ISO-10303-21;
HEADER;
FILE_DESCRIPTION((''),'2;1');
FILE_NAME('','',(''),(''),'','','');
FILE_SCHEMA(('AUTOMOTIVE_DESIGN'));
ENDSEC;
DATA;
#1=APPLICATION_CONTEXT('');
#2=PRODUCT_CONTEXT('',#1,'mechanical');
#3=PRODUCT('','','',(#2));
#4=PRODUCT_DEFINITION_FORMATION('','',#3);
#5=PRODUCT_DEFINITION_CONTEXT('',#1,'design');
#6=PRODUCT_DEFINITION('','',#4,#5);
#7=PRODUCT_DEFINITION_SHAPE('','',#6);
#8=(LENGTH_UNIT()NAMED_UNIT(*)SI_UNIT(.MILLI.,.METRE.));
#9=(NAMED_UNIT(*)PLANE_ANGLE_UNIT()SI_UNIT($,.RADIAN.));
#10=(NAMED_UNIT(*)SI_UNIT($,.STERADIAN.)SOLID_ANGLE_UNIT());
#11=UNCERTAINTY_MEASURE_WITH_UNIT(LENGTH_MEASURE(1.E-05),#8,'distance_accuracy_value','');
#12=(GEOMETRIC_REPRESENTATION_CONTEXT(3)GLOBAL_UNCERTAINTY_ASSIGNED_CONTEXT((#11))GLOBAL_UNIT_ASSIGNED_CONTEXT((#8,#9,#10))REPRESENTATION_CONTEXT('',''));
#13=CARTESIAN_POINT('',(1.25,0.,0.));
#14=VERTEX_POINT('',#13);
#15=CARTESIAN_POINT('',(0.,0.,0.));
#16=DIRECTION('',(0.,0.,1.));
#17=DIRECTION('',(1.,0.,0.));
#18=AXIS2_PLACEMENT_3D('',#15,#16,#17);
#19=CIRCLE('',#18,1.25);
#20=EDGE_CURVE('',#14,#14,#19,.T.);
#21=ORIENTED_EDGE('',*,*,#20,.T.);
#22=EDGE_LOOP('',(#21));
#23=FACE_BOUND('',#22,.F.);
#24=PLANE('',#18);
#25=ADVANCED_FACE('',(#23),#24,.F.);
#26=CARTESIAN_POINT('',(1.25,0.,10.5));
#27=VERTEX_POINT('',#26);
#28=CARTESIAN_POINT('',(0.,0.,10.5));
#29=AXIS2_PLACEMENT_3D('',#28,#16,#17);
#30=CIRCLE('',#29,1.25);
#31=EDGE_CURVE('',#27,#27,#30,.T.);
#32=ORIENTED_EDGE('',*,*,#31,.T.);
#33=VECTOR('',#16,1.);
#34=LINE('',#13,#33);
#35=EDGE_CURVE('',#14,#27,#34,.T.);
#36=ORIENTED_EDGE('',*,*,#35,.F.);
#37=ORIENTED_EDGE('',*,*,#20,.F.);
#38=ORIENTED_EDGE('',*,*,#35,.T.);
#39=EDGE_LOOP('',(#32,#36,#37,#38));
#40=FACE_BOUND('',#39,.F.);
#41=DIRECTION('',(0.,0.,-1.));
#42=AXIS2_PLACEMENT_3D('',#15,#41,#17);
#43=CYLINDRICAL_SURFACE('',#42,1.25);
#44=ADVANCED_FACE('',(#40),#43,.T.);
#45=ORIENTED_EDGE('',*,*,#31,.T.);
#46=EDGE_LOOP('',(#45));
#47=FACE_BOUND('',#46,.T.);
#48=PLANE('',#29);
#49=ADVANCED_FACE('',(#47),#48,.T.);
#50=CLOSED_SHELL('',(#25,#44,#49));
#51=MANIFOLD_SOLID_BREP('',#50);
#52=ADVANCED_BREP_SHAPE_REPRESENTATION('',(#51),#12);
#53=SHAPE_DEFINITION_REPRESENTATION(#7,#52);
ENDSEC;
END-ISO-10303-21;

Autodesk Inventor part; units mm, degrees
ref_plane "YZ Plane" through (0, 0, 0) normal (1, 0, 0) x (0, 1, 0)
ref_plane "XZ Plane" through (0, 0, 0) normal (0, 1, 0) x (-1, 0, 0)
ref_plane "XY Plane" through (0, 0, 0) normal (0, 0, 1) x (1, 0, 0)
sketch "Sketch1" plane through (0, 0, 0) normal (0, 0, 1) x (1, 0, 0)
  circle A0 centre (0, 0) radius 1.25
  dimension "d0" = 2.5
extrude "Extrusion1" add sketch "Sketch1" along normal blind 10.5
properties part number "cannula_v01"
